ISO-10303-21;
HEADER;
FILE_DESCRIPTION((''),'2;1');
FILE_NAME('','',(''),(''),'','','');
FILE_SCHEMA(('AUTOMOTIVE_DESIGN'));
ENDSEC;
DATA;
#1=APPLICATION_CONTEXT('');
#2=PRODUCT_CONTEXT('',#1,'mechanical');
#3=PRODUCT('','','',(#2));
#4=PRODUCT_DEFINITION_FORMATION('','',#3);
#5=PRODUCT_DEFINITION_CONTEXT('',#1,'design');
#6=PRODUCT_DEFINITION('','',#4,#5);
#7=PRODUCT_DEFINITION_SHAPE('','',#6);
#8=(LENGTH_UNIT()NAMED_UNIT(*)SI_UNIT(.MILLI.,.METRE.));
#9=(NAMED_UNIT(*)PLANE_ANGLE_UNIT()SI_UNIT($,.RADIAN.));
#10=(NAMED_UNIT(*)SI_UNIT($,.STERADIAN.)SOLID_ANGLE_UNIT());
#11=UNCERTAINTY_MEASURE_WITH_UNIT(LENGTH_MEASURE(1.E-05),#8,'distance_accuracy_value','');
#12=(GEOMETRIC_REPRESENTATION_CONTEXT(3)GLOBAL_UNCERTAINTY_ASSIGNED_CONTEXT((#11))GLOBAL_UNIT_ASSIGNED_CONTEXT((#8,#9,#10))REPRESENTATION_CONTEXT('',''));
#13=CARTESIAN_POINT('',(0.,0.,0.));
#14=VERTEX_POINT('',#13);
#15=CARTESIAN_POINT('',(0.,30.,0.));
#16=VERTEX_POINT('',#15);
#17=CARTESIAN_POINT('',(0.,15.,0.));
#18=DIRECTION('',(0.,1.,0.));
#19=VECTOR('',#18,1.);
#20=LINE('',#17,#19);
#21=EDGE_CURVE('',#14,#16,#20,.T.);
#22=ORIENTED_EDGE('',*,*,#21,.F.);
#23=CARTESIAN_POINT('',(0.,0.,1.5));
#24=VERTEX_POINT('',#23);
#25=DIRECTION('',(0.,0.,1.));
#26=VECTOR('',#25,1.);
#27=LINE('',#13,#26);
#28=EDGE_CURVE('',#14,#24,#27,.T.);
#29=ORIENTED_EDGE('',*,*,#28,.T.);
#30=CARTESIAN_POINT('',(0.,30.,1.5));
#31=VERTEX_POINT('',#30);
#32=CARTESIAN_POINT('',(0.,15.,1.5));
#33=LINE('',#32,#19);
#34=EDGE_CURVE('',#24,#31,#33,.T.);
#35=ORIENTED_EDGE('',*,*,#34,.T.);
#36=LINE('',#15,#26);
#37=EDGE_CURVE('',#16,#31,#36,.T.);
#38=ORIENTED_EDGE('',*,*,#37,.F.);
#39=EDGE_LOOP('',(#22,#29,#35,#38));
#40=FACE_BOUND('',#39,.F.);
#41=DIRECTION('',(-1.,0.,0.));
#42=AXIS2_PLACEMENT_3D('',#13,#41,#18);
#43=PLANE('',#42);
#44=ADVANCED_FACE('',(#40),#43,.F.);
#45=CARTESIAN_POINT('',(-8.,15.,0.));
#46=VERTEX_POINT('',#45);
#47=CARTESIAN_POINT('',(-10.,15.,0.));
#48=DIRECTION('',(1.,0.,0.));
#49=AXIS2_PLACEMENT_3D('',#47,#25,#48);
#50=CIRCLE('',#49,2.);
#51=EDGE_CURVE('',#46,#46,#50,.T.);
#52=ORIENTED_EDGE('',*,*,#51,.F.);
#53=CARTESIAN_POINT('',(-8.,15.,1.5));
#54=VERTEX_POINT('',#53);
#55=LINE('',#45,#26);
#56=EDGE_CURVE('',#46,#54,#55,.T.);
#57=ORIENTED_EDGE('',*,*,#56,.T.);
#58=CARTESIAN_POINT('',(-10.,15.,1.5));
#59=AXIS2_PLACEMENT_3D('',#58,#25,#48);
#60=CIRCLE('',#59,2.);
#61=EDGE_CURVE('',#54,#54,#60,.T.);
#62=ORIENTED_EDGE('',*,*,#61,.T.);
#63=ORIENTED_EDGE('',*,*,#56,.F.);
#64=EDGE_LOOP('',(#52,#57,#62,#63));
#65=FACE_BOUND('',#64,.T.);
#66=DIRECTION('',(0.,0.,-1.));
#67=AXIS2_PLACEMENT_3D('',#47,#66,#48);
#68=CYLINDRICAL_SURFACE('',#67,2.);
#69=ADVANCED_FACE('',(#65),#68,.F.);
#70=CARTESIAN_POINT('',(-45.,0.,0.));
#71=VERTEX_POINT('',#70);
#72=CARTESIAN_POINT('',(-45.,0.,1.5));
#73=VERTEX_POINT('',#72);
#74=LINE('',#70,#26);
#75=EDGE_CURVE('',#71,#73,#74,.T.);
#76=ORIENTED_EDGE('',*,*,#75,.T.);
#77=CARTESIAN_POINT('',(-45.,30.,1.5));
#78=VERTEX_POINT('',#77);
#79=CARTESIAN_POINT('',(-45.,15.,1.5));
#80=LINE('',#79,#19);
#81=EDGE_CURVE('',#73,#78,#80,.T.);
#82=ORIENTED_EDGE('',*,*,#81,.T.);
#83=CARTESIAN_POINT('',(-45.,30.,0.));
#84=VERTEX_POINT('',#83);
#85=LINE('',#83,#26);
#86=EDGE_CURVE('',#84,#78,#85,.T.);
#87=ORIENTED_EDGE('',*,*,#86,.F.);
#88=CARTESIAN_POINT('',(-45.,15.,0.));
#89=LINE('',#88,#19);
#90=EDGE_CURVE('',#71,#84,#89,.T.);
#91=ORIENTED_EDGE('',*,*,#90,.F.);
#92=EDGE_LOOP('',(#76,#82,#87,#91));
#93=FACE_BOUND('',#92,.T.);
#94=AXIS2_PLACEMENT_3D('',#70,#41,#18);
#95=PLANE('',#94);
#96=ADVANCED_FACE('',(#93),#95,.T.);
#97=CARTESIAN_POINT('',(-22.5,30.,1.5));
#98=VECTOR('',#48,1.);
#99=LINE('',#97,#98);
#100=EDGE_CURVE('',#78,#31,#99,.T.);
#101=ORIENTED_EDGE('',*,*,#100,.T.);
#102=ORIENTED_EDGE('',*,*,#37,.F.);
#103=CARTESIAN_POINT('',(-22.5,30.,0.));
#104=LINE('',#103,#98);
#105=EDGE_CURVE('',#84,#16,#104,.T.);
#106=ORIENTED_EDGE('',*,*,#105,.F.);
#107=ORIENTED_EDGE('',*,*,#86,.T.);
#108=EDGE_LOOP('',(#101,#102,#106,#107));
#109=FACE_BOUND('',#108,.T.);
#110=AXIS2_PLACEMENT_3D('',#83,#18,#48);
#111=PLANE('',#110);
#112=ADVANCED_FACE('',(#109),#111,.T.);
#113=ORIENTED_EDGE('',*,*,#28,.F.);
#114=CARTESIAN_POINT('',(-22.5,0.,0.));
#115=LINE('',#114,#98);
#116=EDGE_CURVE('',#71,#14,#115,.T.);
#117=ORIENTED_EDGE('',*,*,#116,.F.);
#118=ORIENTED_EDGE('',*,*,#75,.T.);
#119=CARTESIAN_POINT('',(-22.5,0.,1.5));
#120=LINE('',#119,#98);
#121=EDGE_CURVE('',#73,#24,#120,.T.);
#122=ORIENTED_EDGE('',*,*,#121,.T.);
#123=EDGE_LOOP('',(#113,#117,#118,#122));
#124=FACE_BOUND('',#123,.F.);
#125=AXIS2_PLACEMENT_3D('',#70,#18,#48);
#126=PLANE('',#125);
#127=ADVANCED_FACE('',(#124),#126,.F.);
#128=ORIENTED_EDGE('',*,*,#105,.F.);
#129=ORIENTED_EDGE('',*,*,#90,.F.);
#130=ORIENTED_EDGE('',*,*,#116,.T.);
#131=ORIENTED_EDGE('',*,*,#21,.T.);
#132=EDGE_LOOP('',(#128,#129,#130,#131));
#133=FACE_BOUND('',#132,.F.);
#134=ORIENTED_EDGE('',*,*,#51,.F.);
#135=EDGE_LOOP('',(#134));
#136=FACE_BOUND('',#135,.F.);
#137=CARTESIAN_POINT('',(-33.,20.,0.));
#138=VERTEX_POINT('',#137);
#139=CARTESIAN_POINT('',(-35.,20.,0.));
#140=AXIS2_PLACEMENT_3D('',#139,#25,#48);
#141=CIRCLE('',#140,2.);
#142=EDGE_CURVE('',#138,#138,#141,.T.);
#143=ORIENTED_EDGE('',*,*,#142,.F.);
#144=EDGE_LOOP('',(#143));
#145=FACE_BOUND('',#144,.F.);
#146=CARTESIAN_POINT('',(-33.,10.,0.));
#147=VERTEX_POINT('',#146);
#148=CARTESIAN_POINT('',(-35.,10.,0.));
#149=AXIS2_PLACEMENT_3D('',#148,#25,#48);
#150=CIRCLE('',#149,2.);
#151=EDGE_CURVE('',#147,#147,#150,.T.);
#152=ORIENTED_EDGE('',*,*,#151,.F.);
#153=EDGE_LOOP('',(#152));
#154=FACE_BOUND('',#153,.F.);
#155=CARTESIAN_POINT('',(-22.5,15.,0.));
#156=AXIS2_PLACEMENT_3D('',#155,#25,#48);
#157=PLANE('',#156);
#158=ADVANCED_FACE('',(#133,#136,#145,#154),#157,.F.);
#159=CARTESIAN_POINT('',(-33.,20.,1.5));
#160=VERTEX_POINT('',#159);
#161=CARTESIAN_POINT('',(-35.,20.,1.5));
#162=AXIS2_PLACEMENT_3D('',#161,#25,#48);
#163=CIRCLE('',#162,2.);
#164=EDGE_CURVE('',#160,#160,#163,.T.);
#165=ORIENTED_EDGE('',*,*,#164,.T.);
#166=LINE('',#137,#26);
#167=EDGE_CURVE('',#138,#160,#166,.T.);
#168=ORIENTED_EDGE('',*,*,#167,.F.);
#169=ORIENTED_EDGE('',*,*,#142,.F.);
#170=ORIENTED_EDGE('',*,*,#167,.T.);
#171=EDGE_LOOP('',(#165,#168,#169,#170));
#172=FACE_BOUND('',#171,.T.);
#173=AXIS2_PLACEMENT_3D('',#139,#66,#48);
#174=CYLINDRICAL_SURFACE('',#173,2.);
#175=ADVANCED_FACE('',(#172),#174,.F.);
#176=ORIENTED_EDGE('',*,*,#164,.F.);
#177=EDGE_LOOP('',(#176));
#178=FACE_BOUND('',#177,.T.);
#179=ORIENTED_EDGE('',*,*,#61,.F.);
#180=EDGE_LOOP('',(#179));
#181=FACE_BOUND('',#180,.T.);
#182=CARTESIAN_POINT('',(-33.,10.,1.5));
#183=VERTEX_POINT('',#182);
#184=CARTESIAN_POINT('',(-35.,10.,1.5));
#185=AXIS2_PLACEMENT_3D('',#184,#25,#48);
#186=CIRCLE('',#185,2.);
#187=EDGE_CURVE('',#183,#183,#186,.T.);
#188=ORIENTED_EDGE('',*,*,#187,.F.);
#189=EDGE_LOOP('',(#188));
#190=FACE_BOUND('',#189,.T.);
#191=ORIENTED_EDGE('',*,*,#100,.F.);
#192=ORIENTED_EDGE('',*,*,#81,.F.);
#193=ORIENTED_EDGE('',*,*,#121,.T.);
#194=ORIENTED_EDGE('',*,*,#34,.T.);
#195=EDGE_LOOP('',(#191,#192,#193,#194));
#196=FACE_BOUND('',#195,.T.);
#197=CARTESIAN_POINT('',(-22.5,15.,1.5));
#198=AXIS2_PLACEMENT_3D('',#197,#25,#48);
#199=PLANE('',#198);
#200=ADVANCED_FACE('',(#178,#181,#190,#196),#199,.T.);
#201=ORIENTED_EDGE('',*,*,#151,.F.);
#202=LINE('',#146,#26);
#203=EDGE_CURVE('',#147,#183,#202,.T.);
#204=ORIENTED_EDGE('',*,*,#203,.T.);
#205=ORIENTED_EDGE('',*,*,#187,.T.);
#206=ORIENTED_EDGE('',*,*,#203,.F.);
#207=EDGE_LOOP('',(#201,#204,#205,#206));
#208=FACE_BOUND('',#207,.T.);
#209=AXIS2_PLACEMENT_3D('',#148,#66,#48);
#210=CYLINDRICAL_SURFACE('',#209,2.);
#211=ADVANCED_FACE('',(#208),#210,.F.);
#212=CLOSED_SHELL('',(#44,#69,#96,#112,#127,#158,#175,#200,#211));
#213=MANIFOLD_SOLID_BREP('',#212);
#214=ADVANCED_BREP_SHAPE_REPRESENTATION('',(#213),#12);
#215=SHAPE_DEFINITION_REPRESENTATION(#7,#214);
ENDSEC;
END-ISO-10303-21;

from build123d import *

# Parameters (mm, degrees)
F0_W     = 45
F0_H     = 30
F0_R     = 2
F1_DEPTH = 1.5


with BuildPart() as f1:
    # F0 (on Top) → F1 (new body)
    with BuildSketch(Plane.XY):
        with Locations((-22.5, 15)):
            Rectangle(F0_W, F0_H)
        with Locations((-35, 10)):
            Circle(F0_R, mode=Mode.SUBTRACT)
        with Locations((-35, 20)):
            Circle(F0_R, mode=Mode.SUBTRACT)
        with Locations((-10, 15)):
            Circle(F0_R, mode=Mode.SUBTRACT)
    extrude(amount=F1_DEPTH)


solid = f1.part
